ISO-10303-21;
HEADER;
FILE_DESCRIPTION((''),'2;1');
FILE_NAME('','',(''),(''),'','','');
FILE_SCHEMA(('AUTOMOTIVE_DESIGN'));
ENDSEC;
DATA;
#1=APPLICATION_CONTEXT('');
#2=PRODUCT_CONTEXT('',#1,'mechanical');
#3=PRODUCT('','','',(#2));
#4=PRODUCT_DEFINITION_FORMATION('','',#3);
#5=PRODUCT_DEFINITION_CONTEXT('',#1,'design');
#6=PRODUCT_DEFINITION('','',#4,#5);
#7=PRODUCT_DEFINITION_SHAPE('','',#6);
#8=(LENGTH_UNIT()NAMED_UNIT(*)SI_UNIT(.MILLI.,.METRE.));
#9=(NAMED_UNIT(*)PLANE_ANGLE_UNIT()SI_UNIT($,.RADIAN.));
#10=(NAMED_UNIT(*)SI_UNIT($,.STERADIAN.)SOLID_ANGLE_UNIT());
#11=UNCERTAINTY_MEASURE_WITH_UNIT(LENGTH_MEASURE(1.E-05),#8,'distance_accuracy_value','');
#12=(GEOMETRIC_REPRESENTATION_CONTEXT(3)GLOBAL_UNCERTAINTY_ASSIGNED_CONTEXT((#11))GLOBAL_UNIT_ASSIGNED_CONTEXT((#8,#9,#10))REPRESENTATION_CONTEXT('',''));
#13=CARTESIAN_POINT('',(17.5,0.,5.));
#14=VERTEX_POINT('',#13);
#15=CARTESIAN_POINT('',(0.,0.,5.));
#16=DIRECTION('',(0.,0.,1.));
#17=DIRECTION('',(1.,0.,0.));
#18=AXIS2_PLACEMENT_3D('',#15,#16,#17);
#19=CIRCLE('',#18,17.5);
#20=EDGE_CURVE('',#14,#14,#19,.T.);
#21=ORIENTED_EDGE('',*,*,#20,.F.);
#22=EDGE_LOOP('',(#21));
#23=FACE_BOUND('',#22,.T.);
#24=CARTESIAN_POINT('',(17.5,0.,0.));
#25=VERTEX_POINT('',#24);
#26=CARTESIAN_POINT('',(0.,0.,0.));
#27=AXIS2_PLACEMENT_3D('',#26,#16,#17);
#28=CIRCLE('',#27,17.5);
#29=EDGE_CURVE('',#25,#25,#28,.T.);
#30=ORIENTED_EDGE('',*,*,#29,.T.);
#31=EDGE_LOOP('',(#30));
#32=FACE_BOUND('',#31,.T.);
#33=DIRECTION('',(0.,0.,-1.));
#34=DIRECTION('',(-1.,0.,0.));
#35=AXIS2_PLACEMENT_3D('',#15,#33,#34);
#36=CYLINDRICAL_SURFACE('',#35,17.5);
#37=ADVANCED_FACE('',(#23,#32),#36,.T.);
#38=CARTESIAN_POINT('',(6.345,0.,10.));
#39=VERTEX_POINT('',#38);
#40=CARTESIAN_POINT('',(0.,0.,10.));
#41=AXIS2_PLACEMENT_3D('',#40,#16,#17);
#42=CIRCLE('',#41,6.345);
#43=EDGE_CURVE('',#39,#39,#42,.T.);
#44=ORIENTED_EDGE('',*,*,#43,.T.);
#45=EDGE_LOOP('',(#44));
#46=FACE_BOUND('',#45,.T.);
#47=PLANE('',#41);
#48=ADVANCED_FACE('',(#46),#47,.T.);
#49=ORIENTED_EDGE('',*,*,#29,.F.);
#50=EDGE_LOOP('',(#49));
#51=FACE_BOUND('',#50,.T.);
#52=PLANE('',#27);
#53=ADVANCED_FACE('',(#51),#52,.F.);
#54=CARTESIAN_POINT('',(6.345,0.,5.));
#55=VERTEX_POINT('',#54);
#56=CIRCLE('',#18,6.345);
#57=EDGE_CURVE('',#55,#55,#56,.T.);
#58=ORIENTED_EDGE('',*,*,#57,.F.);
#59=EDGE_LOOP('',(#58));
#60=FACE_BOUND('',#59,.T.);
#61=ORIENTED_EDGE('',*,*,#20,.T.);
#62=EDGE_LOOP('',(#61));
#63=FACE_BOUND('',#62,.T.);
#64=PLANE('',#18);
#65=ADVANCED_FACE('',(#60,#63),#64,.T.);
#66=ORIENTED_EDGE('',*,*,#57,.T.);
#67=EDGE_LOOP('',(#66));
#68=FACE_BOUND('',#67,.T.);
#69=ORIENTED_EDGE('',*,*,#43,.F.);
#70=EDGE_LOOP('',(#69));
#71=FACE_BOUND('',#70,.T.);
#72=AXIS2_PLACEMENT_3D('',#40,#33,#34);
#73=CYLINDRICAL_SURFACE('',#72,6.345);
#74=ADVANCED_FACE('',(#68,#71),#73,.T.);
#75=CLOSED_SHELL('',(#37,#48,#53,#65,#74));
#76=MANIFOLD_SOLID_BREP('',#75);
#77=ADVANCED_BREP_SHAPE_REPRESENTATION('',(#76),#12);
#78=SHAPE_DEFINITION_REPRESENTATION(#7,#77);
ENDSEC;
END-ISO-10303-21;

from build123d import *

# Parameters (mm, degrees)
SKETCH1_R           = 17.5
SKETCH1_R_2         = 6.345
BOSS_EXTRUDE1_DEPTH = 5
SKETCH1_2_R         = 6.345
BOSS_EXTRUDE2_DEPTH = 10


with BuildPart() as part:
    # Sketch1 → Boss-Extrude1 (new body)
    with BuildSketch(Plane.XY):
        Circle(SKETCH1_R)
        Circle(SKETCH1_R_2, mode=Mode.SUBTRACT)
    extrude(amount=BOSS_EXTRUDE1_DEPTH)

    # Sketch1<2> → Boss-Extrude2 (add)
    with BuildSketch(Plane.XY):
        Circle(SKETCH1_2_R)
    extrude(amount=BOSS_EXTRUDE2_DEPTH)


solid = part.part
